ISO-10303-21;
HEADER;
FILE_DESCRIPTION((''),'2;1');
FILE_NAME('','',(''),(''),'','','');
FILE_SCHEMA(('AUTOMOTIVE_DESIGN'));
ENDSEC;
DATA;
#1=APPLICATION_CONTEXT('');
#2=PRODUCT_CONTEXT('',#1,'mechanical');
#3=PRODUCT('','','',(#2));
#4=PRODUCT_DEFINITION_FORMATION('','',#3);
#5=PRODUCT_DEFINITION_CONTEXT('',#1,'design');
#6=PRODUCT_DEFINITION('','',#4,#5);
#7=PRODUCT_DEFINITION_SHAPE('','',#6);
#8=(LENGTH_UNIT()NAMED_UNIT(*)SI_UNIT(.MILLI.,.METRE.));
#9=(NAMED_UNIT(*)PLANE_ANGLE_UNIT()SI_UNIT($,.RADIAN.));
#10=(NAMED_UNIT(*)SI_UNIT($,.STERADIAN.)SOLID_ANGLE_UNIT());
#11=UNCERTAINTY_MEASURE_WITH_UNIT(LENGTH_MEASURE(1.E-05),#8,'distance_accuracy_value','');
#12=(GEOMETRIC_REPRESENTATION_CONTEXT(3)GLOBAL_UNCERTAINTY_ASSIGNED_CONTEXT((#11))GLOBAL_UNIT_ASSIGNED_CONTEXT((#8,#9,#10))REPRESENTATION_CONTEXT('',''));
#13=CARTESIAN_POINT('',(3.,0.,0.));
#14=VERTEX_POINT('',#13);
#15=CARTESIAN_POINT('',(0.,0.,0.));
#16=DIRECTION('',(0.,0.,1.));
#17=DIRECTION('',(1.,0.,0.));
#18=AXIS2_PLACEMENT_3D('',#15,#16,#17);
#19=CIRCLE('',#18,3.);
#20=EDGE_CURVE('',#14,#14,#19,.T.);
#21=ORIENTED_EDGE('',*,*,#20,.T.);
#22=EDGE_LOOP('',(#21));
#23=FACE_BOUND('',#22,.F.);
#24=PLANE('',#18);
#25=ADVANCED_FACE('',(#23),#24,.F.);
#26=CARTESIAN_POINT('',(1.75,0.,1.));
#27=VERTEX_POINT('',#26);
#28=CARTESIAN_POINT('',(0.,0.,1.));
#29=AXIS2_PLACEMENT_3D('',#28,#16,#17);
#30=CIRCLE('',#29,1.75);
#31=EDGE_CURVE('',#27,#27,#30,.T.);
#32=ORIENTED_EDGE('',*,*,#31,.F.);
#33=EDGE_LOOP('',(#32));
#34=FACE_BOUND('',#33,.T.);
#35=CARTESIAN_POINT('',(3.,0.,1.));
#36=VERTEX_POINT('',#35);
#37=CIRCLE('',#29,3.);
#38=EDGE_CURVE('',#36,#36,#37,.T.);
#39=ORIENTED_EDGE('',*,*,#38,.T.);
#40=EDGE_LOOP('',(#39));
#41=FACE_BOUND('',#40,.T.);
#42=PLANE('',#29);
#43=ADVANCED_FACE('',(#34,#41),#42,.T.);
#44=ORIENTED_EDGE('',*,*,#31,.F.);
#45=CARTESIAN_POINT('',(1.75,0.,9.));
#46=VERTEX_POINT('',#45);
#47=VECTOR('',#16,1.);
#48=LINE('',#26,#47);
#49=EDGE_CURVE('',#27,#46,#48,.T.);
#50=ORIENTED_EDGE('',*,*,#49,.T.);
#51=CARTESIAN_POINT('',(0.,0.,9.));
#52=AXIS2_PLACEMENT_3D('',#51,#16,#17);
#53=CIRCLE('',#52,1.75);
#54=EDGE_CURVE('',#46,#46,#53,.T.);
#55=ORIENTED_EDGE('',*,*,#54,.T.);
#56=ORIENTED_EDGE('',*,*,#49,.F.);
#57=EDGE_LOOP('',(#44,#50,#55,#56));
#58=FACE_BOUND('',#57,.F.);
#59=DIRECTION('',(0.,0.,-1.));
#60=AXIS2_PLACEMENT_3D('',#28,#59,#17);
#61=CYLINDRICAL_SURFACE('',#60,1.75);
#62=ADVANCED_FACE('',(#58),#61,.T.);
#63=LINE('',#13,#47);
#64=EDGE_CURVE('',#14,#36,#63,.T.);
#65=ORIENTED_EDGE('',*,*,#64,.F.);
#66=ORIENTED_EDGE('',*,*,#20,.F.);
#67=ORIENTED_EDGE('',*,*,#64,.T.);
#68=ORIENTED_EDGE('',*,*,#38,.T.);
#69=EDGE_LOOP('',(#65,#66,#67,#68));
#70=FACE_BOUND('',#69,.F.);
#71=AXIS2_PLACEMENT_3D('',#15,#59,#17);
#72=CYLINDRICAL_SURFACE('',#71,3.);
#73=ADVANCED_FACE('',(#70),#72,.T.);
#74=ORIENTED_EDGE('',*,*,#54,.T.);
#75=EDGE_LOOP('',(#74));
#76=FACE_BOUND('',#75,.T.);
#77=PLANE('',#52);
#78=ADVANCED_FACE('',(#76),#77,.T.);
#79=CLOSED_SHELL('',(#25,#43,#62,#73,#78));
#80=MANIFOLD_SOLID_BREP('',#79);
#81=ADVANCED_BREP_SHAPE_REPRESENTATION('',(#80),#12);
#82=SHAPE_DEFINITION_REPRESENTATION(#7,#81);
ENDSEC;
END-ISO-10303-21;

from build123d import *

# Parameters (mm, degrees)
SKETCH_R     = 3
PAD_DEPTH    = 1
SKETCH001_R  = 1.75
PAD001_DEPTH = 8


with BuildPart() as part:
    # Sketch → Pad (new body)
    with BuildSketch(Plane.XY):
        Circle(SKETCH_R)
    extrude(amount=PAD_DEPTH)

    # Sketch001 (on Face3 of Pad) → Pad001 (join)
    with BuildSketch(Plane.XY.offset(1)):
        Circle(SKETCH001_R)
    extrude(amount=PAD001_DEPTH)


solid = part.part
